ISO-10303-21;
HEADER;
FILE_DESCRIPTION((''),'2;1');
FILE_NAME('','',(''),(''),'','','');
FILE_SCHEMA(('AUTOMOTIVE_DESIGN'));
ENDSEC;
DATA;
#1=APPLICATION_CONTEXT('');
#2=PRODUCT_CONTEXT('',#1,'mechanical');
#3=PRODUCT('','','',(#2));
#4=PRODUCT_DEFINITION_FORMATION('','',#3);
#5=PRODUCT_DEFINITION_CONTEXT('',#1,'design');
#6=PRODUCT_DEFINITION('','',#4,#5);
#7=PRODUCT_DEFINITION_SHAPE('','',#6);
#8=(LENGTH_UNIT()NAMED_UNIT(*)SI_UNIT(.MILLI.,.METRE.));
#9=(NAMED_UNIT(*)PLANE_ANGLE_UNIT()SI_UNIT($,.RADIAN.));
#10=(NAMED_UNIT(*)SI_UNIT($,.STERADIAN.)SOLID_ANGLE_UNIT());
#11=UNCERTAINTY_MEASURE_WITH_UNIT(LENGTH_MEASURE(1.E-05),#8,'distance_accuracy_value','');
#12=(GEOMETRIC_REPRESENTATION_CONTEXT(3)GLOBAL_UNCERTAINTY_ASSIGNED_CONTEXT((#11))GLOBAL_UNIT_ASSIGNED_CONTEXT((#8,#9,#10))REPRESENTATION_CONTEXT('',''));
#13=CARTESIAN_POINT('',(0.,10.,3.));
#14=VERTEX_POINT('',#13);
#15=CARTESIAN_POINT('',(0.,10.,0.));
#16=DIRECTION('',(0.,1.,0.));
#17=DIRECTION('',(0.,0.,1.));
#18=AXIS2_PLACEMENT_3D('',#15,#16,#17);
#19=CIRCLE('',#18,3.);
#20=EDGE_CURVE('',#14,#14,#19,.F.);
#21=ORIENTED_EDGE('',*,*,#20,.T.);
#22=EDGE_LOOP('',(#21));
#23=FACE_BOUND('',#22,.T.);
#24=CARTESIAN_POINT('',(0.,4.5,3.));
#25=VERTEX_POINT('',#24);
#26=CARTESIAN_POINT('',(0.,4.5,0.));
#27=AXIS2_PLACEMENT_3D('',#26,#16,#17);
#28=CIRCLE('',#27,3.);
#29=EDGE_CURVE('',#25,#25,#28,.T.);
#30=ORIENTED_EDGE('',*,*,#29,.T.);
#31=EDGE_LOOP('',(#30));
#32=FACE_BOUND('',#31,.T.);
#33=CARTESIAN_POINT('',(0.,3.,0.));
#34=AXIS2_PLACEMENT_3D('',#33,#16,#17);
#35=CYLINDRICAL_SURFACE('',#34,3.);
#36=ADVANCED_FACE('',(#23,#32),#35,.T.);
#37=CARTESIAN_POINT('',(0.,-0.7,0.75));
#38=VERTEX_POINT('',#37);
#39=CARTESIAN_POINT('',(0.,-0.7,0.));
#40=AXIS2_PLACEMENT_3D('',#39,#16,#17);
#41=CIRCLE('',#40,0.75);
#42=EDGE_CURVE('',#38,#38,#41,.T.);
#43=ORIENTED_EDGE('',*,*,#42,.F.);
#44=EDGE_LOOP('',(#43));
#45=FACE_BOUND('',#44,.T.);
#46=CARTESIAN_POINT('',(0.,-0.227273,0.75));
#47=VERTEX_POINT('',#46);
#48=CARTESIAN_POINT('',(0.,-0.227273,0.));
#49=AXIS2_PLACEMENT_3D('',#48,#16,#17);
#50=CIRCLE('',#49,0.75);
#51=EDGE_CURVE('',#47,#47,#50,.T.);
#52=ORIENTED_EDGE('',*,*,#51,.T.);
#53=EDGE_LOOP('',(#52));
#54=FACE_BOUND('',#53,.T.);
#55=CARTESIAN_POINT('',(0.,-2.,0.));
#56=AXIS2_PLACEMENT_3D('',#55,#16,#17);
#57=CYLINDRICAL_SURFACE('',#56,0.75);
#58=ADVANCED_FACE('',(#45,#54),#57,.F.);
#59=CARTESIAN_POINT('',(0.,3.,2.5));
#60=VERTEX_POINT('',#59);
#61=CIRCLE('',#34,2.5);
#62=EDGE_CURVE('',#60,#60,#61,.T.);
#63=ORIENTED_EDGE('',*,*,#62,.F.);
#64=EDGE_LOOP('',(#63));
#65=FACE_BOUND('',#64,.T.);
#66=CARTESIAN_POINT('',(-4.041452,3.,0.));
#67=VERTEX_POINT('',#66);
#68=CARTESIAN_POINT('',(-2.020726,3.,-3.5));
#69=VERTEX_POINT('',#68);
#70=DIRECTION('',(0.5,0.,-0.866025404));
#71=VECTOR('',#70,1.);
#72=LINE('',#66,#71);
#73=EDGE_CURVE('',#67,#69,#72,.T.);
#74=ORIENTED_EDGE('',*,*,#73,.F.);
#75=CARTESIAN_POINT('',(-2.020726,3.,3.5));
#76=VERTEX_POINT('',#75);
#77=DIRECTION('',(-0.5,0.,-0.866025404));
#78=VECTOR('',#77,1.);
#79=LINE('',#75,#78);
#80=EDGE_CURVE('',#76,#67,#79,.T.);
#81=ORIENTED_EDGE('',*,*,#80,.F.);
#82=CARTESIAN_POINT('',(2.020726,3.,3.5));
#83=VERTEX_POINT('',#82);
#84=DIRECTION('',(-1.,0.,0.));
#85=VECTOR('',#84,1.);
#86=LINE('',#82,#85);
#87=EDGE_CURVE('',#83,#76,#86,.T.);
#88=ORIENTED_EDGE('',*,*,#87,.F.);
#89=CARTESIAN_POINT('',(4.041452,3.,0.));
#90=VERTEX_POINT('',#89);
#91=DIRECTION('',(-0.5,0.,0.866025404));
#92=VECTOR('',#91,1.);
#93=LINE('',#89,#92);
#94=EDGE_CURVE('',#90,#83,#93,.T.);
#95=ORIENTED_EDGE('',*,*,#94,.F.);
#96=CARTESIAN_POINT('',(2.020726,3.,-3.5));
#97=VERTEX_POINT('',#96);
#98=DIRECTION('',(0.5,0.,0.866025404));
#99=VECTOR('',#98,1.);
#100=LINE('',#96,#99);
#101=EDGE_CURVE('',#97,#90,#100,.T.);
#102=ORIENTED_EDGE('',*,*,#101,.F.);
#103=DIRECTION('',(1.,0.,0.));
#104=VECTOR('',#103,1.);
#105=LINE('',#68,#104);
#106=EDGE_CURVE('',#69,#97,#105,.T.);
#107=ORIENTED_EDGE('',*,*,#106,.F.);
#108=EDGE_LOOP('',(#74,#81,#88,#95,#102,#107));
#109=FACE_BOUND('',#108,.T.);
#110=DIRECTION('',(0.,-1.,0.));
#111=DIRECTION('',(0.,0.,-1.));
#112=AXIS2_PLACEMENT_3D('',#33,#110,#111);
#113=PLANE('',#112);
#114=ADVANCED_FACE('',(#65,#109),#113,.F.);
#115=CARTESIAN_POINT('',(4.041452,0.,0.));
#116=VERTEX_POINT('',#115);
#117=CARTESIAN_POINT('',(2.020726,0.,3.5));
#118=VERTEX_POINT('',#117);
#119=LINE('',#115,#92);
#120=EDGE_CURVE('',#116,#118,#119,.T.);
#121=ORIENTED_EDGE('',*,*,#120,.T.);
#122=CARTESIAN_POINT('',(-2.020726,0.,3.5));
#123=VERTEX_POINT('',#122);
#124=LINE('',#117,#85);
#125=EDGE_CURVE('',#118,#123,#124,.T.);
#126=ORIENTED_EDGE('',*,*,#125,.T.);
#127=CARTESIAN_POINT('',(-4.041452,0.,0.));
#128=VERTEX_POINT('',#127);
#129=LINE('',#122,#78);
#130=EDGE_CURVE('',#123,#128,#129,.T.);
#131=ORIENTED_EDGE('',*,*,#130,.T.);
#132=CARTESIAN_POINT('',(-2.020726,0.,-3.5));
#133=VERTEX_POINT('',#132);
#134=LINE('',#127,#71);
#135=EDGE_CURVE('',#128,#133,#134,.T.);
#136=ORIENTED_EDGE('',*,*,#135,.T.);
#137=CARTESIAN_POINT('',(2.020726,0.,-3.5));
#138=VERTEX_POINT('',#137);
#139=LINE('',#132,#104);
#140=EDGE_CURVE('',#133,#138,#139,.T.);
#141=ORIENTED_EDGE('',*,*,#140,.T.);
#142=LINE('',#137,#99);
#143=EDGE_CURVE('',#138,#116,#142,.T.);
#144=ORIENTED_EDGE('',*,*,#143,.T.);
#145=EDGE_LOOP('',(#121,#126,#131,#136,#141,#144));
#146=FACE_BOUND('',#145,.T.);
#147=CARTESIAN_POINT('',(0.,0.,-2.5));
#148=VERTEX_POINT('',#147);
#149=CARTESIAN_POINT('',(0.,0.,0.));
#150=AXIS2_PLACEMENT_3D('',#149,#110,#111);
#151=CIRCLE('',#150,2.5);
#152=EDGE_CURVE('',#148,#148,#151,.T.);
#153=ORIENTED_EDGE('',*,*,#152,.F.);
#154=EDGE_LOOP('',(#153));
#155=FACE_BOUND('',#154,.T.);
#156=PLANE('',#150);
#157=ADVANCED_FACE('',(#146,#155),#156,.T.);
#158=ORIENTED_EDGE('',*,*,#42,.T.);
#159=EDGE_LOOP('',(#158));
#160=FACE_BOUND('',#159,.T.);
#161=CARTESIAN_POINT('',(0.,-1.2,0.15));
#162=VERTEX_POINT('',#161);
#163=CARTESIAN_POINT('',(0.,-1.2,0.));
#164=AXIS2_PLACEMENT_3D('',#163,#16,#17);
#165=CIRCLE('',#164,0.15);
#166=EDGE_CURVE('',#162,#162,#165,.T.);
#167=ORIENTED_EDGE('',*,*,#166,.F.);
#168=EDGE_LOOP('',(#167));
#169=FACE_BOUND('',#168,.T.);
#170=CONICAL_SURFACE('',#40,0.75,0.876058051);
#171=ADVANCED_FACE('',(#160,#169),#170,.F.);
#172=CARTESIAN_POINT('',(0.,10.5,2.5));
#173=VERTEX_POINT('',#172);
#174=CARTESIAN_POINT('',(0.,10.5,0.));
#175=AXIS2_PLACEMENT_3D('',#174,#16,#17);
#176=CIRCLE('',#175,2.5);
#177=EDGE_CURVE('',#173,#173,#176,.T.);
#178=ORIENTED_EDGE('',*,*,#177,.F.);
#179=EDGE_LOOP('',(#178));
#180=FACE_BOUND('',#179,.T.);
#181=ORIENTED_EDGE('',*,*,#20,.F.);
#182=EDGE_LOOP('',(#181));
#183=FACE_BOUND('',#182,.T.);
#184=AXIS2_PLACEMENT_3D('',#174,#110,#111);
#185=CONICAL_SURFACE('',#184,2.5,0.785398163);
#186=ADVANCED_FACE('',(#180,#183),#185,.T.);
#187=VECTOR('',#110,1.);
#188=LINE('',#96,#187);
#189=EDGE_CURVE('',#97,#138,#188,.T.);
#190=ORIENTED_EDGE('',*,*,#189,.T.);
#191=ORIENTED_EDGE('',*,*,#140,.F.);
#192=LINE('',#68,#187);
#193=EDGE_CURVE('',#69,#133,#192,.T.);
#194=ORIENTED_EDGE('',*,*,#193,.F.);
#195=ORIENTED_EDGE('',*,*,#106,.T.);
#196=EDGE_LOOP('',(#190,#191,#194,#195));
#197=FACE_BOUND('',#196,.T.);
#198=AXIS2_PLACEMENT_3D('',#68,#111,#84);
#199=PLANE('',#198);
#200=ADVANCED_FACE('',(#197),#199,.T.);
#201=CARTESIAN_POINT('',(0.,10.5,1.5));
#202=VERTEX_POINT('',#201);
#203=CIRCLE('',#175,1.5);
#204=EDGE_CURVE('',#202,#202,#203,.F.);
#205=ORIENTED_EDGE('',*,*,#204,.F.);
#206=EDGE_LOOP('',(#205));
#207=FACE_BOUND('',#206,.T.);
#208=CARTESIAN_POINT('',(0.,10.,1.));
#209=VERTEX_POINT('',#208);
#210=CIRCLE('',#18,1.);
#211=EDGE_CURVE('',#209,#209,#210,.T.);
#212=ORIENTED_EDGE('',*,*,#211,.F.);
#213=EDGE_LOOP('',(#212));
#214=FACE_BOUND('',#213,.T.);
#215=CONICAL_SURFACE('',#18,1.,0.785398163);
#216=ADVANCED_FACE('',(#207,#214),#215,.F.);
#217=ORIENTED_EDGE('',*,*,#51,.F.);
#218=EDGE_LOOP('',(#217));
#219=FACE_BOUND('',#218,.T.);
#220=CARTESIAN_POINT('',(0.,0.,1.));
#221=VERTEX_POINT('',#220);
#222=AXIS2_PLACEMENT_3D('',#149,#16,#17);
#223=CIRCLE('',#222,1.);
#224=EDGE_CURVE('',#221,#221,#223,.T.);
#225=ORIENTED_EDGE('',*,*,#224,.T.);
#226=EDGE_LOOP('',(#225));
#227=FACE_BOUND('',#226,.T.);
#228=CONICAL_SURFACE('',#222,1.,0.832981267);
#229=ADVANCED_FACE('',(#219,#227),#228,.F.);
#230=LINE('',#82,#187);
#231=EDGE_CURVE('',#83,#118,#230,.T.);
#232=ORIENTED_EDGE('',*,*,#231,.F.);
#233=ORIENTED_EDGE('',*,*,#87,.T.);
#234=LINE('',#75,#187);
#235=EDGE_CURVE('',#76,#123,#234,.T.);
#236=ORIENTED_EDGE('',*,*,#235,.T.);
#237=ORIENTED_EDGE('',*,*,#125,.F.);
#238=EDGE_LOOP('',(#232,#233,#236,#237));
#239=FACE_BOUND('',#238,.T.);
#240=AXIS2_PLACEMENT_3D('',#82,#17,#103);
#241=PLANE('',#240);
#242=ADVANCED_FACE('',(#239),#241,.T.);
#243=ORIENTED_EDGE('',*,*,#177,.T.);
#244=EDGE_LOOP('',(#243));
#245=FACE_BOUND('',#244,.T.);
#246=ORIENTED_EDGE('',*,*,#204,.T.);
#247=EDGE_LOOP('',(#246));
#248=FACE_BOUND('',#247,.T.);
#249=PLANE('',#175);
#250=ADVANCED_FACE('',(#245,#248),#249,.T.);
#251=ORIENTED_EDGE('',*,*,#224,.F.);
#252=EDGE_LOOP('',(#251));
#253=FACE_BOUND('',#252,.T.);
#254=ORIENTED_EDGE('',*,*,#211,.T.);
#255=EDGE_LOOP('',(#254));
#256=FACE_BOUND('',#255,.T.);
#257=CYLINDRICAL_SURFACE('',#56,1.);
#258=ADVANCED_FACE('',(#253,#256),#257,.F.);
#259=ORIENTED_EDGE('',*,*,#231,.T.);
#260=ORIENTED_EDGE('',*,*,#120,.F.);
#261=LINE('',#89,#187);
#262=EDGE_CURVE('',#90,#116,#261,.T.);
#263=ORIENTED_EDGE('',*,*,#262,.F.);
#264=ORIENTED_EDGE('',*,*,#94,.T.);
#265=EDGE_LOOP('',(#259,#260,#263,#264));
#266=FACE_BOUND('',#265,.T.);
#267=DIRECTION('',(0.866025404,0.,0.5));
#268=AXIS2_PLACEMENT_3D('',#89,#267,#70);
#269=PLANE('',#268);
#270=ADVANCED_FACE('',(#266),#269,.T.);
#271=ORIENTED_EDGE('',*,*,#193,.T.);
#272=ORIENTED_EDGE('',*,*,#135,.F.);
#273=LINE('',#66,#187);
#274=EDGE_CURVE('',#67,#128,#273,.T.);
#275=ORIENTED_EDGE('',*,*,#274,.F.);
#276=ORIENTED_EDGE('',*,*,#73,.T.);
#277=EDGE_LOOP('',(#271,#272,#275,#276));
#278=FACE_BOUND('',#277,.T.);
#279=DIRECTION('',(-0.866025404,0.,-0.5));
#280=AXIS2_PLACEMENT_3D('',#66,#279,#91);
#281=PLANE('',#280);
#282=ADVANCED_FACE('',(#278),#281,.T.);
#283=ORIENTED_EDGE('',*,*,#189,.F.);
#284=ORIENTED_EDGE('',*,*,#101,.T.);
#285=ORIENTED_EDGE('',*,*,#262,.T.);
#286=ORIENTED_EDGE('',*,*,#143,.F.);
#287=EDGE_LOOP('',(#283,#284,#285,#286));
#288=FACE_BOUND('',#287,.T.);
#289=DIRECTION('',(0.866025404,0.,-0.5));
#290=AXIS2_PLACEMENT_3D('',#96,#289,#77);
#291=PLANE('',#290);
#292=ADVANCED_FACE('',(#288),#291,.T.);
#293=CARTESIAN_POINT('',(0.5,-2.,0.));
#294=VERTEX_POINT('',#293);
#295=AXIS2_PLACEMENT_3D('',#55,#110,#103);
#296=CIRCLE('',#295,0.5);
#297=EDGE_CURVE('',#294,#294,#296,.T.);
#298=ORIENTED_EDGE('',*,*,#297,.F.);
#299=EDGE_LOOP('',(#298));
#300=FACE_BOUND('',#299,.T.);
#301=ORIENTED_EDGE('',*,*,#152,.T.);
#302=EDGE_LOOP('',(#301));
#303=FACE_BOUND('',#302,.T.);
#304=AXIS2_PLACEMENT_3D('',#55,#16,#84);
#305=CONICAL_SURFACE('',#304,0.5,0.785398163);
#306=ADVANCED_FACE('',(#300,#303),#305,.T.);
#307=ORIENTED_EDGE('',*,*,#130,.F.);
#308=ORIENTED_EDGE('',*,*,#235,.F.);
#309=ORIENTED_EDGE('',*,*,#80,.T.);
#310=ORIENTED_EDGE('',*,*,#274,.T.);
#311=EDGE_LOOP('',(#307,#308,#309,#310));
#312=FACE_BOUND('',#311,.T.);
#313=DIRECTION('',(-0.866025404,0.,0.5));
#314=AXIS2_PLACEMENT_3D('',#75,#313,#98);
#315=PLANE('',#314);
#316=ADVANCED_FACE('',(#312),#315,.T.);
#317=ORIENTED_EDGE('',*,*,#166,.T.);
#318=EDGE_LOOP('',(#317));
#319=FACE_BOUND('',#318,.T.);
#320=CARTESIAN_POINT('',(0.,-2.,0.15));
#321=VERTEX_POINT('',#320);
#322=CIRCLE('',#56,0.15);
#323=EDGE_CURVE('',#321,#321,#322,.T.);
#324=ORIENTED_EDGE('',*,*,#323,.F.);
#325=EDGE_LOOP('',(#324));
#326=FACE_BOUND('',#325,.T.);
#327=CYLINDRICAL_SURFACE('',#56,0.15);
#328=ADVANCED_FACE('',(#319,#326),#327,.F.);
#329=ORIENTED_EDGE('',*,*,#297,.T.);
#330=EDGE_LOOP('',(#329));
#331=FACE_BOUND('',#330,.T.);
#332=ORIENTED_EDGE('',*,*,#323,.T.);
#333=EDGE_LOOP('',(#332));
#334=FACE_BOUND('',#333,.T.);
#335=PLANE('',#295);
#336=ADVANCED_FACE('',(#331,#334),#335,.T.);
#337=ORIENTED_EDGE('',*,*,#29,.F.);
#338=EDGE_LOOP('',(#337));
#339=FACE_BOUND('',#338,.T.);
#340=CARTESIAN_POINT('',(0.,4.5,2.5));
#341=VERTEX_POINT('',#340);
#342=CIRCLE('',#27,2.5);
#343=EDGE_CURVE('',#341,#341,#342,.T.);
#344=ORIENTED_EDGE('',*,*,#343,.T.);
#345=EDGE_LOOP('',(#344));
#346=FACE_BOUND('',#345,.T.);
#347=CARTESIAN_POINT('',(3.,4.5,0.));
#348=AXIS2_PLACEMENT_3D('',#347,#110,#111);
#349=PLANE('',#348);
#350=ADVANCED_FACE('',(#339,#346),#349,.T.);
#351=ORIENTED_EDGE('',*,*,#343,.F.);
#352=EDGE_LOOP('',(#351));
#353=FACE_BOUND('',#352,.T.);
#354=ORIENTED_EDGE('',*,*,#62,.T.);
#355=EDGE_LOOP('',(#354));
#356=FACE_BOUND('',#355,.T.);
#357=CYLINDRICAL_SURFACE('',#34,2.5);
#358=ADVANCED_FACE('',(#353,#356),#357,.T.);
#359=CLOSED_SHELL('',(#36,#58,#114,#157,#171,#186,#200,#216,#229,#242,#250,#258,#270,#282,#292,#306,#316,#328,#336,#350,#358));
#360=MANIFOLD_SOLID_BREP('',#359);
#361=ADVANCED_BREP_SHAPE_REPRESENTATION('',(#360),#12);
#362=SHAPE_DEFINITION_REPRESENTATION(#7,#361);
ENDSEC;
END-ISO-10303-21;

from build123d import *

# Parameters (mm, degrees)
BOSS_EXTRUDE1_DEPTH = 3
CHAMFER1_SIZE       = 0.5


with BuildPart() as part:
    # Sketch1 → Boss-Extrude1 (new body)
    with BuildSketch(Plane.XZ):
        Polygon((-2.020725942, 3.5), (-4.041451884, 0), (-2.020725942, -3.5), (2.020725942, -3.5), (4.041451884, 0), (2.020725942, 3.5), align=None)
    extrude(amount=-BOSS_EXTRUDE1_DEPTH)

    # Sketch2 → Revolve1 (revolve)
    with BuildSketch(Plane(origin=(0, 0, 0), x_dir=(-1, 0, 0), z_dir=(0, 0, -1))):
        Polygon((-2.5, 3), (0, 3), (0, 10.5), (-3, 10.5), (-3, 4.5), (-2.5, 4.5), align=None)
    revolve(axis=Axis((0, 3, 0), (0, 1, 0)))

    # Sketch3 → Revolve2 (revolve)
    with BuildSketch(Plane.XY):
        Polygon((2.5, 0), (0, 0), (0, -2), (0.5, -2), align=None)
    revolve(axis=Axis((0, 0, 0), (0, -1, 0)))

    # Sketch4 → Cut-Revolve1 (revolve, cut)
    with BuildSketch(Plane(origin=(0, 0, 0), x_dir=(-1, 0, 0), z_dir=(0, 0, -1))):
        Polygon((-0.15, -2), (0, -2), (0, 10.5), (-1, 10.5), (-1, 0), (-0.75, -0.227272727), (-0.75, -0.7), (-0.15, -1.2), align=None)
    revolve(axis=Axis((0, -2, 0), (0, 1, 0)), mode=Mode.SUBTRACT)

    # Chamfer1
    chamfer1_edges = [part.edges().sort_by_distance(p)[0] for p in [
        (-3, 10.5, 0),
        (-1, 10.5, 0),
    ]]
    chamfer(chamfer1_edges, length=CHAMFER1_SIZE)


solid = part.part
